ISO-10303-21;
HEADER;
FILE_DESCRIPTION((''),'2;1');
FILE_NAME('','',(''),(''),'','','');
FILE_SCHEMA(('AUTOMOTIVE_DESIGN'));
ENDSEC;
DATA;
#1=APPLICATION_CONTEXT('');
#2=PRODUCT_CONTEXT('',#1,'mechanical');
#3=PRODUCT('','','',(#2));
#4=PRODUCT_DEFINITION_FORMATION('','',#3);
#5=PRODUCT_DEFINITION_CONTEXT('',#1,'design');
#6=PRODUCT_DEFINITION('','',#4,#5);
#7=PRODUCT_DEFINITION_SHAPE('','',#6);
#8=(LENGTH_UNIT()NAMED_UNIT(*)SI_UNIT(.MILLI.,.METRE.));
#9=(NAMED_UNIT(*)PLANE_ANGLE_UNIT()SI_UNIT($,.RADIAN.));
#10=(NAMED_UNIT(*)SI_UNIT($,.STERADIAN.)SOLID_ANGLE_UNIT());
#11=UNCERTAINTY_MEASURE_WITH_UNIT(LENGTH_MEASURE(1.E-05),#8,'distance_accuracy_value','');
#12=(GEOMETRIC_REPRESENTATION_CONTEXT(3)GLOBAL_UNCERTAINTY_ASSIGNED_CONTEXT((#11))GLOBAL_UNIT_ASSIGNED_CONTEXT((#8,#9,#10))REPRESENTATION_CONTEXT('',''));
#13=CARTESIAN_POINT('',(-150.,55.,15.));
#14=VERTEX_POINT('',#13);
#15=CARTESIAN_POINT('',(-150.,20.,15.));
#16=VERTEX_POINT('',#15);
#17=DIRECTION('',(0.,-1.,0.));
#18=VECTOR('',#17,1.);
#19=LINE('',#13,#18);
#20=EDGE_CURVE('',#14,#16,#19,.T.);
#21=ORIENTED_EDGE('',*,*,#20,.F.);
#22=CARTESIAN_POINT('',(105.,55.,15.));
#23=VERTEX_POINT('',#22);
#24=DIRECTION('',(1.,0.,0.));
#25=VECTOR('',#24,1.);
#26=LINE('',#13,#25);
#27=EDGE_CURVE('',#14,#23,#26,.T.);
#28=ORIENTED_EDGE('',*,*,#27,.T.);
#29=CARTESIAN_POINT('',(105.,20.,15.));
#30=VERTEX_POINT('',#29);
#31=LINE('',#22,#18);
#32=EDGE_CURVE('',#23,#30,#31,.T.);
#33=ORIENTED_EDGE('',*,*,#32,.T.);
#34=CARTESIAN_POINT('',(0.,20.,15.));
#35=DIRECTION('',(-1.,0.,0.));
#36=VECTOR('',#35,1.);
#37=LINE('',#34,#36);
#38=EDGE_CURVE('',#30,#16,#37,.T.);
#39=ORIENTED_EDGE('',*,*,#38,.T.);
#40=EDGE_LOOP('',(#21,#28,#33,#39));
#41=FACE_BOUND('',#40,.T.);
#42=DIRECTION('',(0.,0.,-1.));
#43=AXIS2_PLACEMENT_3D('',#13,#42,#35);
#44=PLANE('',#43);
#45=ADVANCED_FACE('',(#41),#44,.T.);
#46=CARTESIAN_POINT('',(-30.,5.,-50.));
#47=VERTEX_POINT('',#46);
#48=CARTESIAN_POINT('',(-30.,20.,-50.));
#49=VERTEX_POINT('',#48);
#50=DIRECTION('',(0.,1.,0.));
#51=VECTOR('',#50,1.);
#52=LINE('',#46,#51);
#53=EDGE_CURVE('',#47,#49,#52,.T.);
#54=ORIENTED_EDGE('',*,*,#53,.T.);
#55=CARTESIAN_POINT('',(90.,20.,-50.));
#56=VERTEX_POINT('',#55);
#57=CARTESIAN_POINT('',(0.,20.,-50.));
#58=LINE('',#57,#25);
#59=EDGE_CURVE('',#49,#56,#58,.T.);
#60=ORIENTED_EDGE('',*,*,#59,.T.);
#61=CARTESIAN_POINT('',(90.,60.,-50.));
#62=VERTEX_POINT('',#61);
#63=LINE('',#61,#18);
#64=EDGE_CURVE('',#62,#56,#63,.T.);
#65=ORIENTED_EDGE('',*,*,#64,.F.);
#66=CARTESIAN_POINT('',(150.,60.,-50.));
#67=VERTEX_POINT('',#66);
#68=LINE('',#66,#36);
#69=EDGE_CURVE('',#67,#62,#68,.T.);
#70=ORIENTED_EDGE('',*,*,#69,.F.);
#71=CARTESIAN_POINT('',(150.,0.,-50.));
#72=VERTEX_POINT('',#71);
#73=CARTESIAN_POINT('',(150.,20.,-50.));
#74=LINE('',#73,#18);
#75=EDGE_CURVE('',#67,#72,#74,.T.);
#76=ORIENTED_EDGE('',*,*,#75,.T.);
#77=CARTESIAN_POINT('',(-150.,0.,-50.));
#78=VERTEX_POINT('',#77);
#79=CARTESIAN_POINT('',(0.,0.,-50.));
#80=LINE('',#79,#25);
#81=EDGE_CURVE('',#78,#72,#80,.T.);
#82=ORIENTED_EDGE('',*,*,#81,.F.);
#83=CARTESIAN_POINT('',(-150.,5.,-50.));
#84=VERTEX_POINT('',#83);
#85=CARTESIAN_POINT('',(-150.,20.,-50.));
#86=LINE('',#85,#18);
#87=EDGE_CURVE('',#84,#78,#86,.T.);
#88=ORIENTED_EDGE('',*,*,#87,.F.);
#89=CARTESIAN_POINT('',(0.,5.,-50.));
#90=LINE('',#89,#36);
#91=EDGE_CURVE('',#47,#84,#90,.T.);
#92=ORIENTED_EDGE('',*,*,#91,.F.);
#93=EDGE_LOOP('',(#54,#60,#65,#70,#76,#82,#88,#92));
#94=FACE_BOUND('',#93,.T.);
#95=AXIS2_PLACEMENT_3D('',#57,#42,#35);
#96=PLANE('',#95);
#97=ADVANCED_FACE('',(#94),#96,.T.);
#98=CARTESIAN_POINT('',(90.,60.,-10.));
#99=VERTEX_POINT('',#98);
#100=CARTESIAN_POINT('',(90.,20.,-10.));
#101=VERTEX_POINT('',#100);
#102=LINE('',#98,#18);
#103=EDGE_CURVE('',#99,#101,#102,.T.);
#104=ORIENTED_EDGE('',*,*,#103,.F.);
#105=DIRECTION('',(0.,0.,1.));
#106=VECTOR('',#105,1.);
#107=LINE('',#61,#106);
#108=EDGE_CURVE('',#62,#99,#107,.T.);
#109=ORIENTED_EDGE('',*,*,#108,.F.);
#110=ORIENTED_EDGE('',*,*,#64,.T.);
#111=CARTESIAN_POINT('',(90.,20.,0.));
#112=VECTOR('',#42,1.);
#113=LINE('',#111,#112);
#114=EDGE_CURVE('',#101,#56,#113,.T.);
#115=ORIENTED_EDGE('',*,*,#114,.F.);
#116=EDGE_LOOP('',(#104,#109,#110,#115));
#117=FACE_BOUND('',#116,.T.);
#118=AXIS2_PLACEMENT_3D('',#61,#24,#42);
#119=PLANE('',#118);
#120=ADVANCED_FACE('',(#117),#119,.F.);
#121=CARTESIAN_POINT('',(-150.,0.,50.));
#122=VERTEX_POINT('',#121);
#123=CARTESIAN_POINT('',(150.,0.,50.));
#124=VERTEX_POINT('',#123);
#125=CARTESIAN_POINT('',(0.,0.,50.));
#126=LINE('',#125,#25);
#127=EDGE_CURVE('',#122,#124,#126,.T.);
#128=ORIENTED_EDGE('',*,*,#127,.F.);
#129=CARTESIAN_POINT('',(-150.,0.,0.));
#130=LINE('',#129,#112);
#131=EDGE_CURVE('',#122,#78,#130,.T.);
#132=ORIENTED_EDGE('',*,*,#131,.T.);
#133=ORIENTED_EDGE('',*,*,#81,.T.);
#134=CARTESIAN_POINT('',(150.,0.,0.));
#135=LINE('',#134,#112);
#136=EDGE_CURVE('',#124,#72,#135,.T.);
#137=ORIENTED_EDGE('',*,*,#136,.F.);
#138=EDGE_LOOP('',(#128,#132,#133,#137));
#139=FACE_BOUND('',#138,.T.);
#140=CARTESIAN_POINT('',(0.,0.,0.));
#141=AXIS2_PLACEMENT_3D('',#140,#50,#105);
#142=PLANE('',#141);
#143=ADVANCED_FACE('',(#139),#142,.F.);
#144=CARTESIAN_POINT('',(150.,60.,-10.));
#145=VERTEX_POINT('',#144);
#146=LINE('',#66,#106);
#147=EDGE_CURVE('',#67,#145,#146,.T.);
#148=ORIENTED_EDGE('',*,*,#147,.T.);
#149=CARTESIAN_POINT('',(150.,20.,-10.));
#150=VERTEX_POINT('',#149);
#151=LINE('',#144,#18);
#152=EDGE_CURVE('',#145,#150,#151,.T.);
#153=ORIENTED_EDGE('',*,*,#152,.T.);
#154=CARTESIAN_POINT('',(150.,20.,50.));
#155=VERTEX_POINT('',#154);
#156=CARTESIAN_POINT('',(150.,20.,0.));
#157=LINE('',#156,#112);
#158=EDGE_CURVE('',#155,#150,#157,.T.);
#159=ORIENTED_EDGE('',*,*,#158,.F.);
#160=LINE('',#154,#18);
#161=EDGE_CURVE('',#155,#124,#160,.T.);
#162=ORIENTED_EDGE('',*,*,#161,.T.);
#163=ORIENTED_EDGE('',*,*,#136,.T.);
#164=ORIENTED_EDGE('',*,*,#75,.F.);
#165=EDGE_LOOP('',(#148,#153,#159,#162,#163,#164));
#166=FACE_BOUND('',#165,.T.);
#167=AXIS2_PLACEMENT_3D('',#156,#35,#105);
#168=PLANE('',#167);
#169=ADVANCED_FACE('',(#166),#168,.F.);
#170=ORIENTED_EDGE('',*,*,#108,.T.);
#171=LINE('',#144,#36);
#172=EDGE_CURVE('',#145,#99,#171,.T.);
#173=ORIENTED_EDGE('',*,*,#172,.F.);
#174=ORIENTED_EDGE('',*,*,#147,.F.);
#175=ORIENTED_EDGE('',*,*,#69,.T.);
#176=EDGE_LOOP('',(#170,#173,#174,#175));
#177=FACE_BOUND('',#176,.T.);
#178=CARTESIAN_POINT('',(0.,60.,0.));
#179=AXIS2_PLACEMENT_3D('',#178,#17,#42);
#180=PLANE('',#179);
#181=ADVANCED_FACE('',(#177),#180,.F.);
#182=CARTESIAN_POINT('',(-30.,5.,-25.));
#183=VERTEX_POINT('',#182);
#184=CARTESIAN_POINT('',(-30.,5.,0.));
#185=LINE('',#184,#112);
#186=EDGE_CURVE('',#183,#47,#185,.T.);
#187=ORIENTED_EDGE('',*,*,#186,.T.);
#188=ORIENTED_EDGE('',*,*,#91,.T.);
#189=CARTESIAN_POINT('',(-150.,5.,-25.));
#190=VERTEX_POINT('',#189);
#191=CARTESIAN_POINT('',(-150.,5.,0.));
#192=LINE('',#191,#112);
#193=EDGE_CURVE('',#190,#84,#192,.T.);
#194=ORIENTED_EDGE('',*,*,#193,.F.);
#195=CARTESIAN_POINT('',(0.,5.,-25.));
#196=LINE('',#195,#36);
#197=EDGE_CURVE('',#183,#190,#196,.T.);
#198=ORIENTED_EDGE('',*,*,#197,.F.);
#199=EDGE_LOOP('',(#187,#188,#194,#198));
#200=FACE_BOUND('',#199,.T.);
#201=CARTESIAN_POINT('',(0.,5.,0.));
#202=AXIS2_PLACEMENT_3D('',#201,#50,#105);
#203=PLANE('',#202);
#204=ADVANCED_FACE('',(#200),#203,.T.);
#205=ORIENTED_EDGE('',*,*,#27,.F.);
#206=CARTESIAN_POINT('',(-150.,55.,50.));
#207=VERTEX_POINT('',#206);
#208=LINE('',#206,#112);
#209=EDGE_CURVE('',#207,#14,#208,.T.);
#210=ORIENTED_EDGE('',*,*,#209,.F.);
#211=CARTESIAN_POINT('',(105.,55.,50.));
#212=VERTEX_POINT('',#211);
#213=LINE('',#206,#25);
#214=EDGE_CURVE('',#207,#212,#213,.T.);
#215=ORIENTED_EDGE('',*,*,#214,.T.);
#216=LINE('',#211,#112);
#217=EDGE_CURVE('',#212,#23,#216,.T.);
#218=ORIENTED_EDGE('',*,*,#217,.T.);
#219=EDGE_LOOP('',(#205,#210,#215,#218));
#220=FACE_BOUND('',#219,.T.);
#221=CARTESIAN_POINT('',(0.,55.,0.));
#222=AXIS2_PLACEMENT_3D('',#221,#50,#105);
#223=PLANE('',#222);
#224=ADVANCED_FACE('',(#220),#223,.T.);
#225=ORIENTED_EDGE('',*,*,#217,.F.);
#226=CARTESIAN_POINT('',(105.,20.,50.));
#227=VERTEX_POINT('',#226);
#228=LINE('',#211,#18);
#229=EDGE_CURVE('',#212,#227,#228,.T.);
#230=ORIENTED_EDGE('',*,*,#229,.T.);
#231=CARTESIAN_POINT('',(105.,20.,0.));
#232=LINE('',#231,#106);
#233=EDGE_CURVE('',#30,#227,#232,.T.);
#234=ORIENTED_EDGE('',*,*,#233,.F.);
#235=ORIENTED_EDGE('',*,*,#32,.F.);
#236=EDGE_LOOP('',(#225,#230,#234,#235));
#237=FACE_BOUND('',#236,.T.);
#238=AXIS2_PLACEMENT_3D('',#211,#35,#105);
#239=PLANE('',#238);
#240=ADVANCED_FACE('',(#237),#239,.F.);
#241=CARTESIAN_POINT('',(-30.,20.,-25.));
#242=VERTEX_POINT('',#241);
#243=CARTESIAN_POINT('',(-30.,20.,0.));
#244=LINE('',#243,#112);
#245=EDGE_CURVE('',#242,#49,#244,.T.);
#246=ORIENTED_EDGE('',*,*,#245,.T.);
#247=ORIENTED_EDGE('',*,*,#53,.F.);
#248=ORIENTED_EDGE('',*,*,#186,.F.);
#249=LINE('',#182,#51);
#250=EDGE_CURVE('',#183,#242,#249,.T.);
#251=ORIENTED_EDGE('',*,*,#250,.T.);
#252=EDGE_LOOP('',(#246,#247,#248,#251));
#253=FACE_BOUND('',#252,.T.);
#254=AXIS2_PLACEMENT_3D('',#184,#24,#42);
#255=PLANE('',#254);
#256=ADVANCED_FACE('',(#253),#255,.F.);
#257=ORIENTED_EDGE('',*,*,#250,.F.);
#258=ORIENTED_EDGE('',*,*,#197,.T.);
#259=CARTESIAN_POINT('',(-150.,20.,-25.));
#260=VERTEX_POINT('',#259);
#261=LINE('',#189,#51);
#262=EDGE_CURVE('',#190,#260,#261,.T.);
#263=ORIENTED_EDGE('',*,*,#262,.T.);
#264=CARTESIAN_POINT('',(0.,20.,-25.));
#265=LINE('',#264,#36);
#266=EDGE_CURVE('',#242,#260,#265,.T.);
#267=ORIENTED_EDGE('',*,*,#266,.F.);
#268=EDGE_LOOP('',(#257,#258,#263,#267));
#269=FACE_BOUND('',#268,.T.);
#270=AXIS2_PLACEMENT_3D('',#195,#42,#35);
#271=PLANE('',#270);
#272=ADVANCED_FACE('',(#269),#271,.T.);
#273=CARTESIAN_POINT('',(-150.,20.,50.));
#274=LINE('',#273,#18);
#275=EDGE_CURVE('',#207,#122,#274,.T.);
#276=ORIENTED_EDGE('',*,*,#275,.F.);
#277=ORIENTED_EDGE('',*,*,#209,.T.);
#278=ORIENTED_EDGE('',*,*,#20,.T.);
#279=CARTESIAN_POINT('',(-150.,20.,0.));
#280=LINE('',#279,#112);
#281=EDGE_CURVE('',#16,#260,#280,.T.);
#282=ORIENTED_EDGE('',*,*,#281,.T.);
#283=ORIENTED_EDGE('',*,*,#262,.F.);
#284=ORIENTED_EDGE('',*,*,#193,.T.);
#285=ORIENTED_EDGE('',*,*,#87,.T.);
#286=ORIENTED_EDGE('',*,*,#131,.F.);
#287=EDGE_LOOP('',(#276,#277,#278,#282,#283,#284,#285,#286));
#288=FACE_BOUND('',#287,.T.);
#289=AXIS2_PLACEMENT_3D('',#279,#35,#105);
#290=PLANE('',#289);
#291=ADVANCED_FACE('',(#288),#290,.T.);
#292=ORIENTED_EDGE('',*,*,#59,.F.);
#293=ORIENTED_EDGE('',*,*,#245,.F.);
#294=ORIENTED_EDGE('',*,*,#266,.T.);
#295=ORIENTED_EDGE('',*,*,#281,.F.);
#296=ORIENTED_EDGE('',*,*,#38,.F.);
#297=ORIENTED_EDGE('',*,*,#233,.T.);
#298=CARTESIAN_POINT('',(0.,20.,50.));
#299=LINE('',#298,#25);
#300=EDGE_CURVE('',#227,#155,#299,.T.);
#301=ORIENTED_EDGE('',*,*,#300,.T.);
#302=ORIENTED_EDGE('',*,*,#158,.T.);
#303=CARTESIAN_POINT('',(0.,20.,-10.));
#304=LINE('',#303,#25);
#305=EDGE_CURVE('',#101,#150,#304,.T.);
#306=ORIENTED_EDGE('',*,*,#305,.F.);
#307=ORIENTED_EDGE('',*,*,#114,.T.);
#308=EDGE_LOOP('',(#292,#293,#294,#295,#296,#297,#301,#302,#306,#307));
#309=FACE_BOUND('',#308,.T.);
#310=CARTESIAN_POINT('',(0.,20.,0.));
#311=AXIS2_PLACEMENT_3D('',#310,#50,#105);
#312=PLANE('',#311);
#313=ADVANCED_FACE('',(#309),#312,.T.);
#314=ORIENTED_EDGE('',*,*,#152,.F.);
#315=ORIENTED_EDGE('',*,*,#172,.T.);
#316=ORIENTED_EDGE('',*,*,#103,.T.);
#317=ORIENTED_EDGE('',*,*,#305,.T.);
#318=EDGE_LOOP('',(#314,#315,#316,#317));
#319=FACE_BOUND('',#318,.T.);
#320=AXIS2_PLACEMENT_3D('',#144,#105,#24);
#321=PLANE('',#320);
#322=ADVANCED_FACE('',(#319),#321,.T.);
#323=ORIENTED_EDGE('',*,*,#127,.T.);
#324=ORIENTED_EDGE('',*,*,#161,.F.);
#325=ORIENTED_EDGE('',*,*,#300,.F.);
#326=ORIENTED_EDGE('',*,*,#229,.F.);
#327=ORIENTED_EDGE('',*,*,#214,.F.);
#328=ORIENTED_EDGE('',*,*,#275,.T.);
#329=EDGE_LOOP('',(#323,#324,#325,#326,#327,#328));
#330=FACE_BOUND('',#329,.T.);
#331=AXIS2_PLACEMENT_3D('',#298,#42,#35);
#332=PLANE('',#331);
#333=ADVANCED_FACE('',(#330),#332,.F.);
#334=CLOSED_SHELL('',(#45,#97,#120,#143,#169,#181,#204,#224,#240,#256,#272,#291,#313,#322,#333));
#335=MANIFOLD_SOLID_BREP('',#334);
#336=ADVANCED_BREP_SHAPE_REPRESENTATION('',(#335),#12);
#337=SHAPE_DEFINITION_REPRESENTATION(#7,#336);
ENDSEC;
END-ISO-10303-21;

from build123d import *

# Parameters (mm, degrees)
SKETCH1_W           = 300
SKETCH1_H           = 100
BOSS_EXTRUDE1_DEPTH = 20
SKETCH1_3_W         = 255
SKETCH1_3_H         = 35
BOSS_EXTRUDE2_DEPTH = 55
SKETCH1_5_W         = 60
SKETCH1_5_H         = 40
BOSS_EXTRUDE3_DEPTH = 60
CUT_EXTRUDE1_START  = 20
SKETCH1_6_W         = 120
SKETCH1_6_H         = 25
CUT_EXTRUDE1_DEPTH  = 15


with BuildPart() as part:
    # Sketch1 → Boss-Extrude1 (new body)
    with BuildSketch(Plane(origin=(0, 0, 0), x_dir=(1, 0, 0), z_dir=(0, 1, 0))):
        Rectangle(SKETCH1_W, SKETCH1_H)
    extrude(amount=BOSS_EXTRUDE1_DEPTH)

    # Sketch1<3> → Boss-Extrude2 (add)
    with BuildSketch(Plane(origin=(0, 0, 0), x_dir=(1, 0, 0), z_dir=(0, 1, 0))):
        with Locations((-22.5, -32.5)):
            Rectangle(SKETCH1_3_W, SKETCH1_3_H)
    extrude(amount=BOSS_EXTRUDE2_DEPTH)

    # Sketch1<5> → Boss-Extrude3 (add)
    with BuildSketch(Plane(origin=(0, 0, 0), x_dir=(1, 0, 0), z_dir=(0, 1, 0))):
        with Locations((120, 30)):
            Rectangle(SKETCH1_5_W, SKETCH1_5_H)
    extrude(amount=BOSS_EXTRUDE3_DEPTH)

    # Sketch1<6> → Cut-Extrude1 (cut)
    with BuildSketch(Plane(origin=(0, 0, 0), x_dir=(1, 0, 0), z_dir=(0, 1, 0)).offset(CUT_EXTRUDE1_START)):
        with Locations((-90, 37.5)):
            Rectangle(SKETCH1_6_W, SKETCH1_6_H)
    extrude(amount=-CUT_EXTRUDE1_DEPTH, mode=Mode.SUBTRACT)


solid = part.part
